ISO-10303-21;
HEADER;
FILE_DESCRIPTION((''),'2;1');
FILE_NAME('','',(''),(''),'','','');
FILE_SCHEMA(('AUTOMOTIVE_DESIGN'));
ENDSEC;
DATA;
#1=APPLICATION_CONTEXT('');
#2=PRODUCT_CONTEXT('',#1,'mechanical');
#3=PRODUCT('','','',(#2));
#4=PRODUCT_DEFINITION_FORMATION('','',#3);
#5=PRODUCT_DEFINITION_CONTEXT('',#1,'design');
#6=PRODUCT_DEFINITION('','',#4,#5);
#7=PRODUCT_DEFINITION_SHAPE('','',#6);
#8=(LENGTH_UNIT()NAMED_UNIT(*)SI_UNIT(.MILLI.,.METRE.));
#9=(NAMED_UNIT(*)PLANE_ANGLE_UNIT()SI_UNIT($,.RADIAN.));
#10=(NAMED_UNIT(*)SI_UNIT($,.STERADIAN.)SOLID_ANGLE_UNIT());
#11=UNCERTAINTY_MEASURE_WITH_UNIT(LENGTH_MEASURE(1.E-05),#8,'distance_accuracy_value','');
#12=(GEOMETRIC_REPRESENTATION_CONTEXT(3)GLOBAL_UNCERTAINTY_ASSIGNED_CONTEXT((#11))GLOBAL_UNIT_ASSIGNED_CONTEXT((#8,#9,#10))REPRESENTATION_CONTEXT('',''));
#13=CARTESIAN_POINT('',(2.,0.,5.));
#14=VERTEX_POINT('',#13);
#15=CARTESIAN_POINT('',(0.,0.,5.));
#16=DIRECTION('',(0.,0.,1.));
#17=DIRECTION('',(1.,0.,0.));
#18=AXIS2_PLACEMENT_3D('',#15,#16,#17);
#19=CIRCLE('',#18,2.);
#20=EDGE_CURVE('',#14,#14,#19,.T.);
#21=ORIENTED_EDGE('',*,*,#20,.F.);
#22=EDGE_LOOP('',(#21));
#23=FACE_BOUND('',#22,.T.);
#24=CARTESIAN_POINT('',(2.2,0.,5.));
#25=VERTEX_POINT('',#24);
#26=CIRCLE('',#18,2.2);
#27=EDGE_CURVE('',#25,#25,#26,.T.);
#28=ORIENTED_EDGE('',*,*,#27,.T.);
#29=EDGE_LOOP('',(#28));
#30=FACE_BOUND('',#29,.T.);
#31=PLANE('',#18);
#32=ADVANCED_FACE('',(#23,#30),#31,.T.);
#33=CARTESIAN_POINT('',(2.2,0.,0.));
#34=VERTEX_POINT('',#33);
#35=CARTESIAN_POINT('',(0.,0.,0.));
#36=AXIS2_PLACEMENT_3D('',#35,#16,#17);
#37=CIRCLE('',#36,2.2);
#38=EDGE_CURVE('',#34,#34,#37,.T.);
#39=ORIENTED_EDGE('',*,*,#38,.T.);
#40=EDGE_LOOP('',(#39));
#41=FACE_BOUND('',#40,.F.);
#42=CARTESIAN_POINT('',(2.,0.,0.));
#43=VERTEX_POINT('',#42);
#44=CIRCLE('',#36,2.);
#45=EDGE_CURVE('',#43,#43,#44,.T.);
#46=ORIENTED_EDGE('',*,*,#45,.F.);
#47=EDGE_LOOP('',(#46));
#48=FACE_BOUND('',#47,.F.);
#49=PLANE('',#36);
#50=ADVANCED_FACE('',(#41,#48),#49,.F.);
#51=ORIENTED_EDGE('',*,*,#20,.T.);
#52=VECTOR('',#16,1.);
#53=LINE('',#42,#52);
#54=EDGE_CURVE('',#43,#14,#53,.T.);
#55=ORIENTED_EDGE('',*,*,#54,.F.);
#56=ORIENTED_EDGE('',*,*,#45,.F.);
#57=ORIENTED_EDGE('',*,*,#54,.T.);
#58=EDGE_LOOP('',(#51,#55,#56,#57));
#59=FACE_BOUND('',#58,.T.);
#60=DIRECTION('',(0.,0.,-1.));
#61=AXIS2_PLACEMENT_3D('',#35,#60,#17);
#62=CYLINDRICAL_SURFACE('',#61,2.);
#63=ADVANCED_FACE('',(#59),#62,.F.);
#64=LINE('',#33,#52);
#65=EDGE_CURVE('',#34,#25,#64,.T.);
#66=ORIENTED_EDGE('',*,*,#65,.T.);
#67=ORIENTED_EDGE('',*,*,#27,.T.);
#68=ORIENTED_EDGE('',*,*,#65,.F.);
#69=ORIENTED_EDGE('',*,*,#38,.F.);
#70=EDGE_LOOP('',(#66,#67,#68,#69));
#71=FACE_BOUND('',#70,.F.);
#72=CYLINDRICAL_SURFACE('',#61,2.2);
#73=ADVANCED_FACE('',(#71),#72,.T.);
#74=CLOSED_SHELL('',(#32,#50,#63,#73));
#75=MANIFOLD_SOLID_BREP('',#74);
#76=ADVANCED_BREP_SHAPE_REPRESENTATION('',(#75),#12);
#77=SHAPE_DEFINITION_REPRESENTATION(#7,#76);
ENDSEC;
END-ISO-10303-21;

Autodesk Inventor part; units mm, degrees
ref_plane "YZ Plane" through (0, 0, 0) normal (1, 0, 0) x (0, 1, 0)
ref_plane "XZ Plane" through (0, 0, 0) normal (0, 1, 0) x (-1, 0, 0)
ref_plane "XY Plane" through (0, 0, 0) normal (0, 0, 1) x (1, 0, 0)
sketch "Sketch1" plane through (0, 0, 0) normal (0, 0, 1) x (1, 0, 0)
  circle A0 centre (0, 0) radius 2
  circle A1 centre (0, 0) radius 2.2
  dimension "d0" = 4
  dimension "d1" = 4.4
extrude "Extrusion1" add sketch "Sketch1" along normal blind 5
properties part number "PowerSwitchSpacer"
